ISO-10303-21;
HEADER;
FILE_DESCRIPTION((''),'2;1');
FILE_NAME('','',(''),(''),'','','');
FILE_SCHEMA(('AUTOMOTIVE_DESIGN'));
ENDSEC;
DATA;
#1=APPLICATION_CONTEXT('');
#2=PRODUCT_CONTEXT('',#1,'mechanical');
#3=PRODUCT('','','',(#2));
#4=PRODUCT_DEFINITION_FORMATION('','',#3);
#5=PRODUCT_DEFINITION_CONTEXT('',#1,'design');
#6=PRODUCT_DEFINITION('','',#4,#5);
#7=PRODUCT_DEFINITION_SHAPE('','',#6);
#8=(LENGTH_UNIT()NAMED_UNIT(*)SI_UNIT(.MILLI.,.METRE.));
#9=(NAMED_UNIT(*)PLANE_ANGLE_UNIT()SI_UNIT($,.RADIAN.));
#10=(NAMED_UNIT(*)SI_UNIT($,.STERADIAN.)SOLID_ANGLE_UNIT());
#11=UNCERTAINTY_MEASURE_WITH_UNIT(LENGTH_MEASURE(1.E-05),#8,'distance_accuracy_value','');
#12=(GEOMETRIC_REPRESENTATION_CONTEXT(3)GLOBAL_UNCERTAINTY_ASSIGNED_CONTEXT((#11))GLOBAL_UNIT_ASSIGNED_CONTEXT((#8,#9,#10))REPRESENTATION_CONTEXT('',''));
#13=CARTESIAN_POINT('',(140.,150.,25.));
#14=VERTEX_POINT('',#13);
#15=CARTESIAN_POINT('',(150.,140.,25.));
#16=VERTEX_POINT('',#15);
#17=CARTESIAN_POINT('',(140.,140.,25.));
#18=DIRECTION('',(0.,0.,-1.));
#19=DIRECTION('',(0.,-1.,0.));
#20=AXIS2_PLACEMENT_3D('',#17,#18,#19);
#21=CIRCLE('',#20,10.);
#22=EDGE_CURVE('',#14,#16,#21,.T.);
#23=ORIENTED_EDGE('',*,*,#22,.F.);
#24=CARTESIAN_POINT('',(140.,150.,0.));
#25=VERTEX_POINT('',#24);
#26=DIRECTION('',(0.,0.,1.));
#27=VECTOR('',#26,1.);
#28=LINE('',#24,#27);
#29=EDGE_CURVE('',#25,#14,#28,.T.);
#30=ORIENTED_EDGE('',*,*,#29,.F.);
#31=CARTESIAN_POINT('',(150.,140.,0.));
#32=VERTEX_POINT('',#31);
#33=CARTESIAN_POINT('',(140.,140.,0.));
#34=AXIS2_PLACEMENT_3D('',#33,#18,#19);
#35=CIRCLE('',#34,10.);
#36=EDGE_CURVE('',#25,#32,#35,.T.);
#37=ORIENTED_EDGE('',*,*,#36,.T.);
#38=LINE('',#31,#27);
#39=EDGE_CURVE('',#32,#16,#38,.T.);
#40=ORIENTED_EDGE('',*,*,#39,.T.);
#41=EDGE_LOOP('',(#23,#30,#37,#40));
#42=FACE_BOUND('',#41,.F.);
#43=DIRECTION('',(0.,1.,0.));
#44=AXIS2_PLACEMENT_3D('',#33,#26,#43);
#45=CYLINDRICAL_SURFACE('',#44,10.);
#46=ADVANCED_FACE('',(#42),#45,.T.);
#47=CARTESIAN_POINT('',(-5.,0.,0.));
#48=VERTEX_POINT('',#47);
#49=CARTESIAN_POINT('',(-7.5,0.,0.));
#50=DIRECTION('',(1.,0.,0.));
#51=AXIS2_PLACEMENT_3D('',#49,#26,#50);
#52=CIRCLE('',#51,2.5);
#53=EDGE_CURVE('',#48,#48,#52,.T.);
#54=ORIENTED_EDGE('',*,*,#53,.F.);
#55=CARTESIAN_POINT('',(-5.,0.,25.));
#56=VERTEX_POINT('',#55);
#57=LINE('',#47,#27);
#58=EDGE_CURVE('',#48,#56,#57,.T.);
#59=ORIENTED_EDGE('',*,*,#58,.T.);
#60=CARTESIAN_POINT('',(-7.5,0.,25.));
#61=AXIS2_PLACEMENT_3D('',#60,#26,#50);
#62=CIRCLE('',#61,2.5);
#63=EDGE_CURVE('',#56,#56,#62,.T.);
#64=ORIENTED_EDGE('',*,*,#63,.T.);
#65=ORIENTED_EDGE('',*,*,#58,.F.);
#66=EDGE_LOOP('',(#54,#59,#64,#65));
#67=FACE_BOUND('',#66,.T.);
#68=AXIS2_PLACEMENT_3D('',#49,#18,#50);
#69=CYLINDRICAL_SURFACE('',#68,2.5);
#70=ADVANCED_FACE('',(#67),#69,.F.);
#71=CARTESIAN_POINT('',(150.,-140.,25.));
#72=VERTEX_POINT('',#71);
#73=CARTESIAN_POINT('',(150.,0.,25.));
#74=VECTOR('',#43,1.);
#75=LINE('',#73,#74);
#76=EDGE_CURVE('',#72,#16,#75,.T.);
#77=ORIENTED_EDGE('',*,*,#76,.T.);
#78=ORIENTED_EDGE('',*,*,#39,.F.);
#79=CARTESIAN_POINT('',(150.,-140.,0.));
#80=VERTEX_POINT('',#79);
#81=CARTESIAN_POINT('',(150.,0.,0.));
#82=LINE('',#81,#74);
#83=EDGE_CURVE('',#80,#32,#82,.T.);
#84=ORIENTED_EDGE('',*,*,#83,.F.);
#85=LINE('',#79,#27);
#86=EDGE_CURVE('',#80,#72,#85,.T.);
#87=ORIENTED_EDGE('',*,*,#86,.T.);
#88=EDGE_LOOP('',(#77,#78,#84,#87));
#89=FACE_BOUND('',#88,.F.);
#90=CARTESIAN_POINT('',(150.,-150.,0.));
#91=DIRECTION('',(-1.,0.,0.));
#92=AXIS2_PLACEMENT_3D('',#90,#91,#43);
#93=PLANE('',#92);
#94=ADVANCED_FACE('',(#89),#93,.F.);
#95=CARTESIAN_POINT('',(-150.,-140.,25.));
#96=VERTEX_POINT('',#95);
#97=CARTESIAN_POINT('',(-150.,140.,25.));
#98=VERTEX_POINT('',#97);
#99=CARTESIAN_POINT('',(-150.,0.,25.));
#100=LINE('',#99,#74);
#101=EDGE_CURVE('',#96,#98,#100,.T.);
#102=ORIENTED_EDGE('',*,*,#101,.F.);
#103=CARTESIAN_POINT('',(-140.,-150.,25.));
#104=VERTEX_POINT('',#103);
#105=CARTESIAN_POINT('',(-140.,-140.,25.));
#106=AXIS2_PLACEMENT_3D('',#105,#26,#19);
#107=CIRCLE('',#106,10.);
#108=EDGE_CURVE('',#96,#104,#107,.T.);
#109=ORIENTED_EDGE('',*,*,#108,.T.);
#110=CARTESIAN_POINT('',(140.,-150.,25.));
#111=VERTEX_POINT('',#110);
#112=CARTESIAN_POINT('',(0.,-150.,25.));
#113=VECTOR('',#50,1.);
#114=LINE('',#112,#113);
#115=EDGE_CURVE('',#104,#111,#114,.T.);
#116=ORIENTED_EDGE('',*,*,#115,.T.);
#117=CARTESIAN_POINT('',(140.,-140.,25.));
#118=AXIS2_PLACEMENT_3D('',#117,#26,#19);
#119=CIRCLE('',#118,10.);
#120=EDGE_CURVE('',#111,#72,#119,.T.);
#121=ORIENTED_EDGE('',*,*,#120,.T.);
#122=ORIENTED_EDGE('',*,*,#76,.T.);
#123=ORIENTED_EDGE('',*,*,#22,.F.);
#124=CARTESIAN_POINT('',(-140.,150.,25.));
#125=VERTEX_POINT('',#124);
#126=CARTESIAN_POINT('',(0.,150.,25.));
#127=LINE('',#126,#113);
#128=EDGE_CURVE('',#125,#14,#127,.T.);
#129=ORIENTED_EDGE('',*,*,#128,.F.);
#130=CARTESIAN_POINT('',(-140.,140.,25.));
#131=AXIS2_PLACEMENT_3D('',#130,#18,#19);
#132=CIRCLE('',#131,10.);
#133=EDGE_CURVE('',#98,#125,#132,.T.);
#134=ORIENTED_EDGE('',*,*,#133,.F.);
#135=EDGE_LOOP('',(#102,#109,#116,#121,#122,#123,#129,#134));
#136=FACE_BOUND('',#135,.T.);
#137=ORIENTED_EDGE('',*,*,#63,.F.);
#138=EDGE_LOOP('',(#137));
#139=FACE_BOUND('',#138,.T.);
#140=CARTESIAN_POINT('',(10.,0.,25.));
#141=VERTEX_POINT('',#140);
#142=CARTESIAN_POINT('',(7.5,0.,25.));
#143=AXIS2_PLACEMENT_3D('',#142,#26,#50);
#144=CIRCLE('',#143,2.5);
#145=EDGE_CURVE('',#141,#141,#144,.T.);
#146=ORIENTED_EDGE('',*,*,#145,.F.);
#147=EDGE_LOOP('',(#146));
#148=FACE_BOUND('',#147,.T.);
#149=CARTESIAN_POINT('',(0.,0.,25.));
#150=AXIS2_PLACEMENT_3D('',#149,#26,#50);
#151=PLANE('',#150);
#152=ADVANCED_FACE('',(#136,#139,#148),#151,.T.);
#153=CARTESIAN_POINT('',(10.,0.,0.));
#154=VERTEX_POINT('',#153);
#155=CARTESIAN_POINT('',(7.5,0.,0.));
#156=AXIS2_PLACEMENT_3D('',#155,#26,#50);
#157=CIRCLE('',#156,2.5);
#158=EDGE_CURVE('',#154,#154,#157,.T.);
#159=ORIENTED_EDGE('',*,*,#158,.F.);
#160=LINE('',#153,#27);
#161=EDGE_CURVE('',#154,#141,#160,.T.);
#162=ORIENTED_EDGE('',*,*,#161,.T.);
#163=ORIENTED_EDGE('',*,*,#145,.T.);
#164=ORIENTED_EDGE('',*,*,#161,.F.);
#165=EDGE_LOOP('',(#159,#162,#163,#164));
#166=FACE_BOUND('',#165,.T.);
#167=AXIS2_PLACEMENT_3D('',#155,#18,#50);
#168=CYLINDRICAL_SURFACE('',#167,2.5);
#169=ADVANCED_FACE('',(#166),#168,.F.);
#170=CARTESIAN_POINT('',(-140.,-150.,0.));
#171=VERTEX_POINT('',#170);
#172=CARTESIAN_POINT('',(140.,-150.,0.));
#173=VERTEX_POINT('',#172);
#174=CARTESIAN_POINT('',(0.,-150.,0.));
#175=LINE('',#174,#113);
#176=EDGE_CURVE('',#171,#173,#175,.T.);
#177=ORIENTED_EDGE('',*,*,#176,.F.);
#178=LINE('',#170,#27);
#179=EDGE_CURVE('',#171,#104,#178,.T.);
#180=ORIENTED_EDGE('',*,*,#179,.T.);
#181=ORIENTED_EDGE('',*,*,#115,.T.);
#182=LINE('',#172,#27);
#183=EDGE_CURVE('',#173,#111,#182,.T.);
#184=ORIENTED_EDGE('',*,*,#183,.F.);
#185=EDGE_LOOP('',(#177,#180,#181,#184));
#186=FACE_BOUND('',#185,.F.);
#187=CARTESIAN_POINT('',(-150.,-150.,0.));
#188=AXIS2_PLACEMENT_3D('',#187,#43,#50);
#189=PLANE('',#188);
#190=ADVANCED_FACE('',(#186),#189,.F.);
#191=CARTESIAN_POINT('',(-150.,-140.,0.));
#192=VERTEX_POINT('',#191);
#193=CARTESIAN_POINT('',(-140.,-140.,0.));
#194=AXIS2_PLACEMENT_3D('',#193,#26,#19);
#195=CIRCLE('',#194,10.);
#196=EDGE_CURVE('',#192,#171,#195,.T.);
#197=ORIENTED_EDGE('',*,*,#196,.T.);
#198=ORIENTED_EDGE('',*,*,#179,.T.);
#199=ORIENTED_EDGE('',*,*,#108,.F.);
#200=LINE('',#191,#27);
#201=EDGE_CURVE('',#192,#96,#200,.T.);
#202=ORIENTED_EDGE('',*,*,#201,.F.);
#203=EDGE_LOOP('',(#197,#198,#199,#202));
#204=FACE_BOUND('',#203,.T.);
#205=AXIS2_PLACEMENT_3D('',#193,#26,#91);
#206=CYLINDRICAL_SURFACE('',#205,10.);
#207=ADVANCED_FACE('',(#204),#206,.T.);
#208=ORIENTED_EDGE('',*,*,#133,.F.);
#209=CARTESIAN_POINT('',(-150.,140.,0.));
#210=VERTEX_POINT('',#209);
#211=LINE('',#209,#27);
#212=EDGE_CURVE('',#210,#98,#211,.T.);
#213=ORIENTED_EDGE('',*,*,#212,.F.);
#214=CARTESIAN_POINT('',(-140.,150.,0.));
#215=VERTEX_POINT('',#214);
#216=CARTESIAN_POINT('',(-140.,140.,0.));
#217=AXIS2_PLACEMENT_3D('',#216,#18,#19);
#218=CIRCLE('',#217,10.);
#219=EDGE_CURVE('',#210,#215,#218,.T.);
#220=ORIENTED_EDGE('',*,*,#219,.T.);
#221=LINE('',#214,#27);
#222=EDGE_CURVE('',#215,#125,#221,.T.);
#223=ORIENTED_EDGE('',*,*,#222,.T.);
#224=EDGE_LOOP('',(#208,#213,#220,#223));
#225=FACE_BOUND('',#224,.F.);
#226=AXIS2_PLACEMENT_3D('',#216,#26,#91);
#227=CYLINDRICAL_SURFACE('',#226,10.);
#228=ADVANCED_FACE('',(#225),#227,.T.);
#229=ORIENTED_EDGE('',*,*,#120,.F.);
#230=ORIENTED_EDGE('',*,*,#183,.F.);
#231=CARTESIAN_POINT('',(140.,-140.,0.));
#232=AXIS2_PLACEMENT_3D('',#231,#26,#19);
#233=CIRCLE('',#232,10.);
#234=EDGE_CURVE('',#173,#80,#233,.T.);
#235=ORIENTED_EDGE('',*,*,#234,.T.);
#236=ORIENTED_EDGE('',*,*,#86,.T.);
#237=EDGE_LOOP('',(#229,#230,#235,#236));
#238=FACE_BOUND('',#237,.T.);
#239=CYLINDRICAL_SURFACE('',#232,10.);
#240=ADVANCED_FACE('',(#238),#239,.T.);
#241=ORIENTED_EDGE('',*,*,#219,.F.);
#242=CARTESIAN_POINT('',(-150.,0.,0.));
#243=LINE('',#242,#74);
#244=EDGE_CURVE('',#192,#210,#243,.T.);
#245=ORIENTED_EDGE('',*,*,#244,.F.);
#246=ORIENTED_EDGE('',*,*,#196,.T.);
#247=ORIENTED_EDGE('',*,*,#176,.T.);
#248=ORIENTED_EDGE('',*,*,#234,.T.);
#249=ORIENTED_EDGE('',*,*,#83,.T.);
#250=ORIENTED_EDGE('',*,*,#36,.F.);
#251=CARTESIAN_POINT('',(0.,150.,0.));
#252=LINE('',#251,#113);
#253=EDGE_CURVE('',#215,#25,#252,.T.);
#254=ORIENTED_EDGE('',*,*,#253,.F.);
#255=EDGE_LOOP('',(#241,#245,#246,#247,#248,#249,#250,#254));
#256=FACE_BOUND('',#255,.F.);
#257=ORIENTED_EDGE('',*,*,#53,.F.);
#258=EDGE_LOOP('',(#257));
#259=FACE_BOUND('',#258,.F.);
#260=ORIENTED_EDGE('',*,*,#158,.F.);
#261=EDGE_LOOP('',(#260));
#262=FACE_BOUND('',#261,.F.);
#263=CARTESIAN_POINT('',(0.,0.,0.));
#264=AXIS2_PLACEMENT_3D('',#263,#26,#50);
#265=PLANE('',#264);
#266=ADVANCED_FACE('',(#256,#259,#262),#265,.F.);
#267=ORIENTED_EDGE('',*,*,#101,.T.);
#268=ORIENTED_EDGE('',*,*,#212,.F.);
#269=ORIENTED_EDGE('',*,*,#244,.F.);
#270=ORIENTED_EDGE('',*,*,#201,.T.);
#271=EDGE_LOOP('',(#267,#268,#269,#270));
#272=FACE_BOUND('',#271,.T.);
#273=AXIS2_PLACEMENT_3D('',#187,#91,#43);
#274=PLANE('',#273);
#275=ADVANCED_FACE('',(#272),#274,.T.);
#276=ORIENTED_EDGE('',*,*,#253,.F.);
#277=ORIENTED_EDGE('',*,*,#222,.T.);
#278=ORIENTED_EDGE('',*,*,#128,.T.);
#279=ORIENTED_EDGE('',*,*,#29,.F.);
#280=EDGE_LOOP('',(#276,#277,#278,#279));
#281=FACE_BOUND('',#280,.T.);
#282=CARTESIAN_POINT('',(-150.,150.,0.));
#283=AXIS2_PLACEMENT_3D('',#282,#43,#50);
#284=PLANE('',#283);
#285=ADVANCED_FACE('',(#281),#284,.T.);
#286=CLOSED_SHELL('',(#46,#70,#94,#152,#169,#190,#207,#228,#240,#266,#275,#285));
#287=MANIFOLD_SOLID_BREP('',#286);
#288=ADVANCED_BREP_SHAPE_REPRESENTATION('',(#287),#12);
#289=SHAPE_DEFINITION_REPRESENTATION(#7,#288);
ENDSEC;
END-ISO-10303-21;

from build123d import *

# Parameters (mm, degrees)
F0_W     = 300
F0_H     = 300
F0_R     = 2.5
F1_DEPTH = 25
F2_R     = 10


with BuildPart() as f1:
    # F0 (on Top) → F1 (new body)
    with BuildSketch(Plane.XY):
        Rectangle(F0_W, F0_H)
        with Locations((-7.5, 0)):
            Circle(F0_R, mode=Mode.SUBTRACT)
        with Locations((7.5, 0)):
            Circle(F0_R, mode=Mode.SUBTRACT)
    extrude(amount=F1_DEPTH)

    # F2
    f2_edges = [f1.edges().sort_by_distance(p)[0] for p in [
        (150, 150, 12.5),
        (-150, 150, 12.5),
        (150, -150, 12.5),
        (-150, -150, 12.5),
    ]]
    fillet(f2_edges, radius=F2_R)


solid = f1.part
